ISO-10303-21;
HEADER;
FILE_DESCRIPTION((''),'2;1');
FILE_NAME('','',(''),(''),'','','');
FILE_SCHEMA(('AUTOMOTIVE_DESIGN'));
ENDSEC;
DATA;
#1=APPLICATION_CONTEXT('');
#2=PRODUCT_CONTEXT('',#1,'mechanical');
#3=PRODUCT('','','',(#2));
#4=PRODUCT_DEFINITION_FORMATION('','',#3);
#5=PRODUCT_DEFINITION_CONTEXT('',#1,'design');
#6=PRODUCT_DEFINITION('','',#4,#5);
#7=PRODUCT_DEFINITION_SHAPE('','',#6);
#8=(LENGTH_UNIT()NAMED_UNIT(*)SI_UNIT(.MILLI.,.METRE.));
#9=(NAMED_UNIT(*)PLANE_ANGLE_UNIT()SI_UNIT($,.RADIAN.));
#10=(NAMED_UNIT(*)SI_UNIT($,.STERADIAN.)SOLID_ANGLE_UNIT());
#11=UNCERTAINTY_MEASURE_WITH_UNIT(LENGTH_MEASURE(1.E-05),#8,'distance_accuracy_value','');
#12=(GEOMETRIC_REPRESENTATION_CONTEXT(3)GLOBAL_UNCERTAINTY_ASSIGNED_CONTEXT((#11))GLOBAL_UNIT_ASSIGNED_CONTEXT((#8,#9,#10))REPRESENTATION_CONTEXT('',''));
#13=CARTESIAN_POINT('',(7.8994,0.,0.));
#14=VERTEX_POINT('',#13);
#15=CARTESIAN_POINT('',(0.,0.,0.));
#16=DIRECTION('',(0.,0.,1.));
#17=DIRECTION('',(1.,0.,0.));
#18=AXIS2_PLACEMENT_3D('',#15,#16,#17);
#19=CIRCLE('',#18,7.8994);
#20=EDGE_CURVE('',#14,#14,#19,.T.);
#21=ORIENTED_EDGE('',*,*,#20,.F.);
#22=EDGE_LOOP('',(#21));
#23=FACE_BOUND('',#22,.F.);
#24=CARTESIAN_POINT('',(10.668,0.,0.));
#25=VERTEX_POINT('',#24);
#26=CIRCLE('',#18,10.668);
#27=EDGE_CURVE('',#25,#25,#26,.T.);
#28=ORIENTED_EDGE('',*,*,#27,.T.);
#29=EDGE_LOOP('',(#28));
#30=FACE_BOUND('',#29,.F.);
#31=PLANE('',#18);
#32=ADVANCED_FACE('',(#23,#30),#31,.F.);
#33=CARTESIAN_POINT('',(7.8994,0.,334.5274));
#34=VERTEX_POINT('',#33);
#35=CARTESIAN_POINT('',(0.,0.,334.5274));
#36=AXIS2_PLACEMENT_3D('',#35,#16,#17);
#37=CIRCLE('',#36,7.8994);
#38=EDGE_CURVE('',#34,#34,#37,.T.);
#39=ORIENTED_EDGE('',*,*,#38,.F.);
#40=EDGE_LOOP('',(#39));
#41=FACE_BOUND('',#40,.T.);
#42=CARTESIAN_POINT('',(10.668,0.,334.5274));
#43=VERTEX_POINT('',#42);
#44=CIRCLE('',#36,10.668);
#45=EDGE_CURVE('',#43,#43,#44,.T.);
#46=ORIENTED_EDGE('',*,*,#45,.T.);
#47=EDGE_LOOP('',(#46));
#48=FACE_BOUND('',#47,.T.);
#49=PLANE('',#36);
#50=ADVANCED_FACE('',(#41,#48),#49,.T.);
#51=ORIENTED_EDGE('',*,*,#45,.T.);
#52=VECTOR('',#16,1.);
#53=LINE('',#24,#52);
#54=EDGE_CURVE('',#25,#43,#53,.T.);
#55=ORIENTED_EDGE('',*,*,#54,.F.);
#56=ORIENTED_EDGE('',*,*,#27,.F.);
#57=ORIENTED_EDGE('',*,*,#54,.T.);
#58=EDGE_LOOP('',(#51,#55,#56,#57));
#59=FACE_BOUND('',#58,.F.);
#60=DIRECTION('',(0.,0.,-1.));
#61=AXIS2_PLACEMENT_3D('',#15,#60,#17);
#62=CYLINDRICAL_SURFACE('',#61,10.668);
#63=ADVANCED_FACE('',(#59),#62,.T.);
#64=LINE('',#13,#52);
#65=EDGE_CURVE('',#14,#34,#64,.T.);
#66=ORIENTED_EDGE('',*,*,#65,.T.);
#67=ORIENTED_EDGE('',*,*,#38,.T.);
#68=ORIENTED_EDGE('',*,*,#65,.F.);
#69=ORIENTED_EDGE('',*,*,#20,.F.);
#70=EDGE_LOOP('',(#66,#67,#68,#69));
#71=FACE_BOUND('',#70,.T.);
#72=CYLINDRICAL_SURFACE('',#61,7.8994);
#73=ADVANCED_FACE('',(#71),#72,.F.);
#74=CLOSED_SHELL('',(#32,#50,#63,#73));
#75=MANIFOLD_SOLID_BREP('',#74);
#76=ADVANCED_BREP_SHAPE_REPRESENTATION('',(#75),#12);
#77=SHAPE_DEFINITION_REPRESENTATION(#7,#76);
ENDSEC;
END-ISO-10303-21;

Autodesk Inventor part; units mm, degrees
ref_plane "YZ Plane" through (0, 0, 0) normal (1, 0, 0) x (0, 1, 0)
ref_plane "Start Plane" through (0, 0, 0) normal (0, 0, 1) x (1, 0, 0)
ref_plane "End Plane" through (0, 0, 334.5274) normal (0, 0, 1) x (1, 0, 0)
sketch "Sketch" plane through (0, 0, 0) normal (0, 0, 1) x (1, 0, 0)
  circle A0 centre (0, 0) radius 7.8994
  circle A1 centre (0, 0) radius 10.668
  dimension "d0" = 21.336
  dimension "d1" = 2.7686
extrude "Body" add sketch "Sketch" along normal up to surface (334.5274 mm away) from surface at 0
sketch "Sketch3" plane through (0, 0, 0) normal (0, 0, 1) x (1, 0, 0)
  line L0 (0, 0) -> (10, 0)
ref_plane "Work Plane3" through (0, 0, 0) normal (0, -1, 0) x (1, 0, 0)
sketch "Sketch4" plane through (0, 0, 0) normal (0, -1, 0) x (1, 0, 0)
  line L0 (-2, 0) -> (12, 0) projected
  line L1 (-2, 334.5274) -> (12, 334.5274) projected
  dimension "d7" = 334.5274
equation "\"d0\" = G_H"
equation "\"d1\" = G_T"
equation "\"d2\" = G_L"
equation "\"G_H\" = 21.336"
equation "\"G_T\" = 2.7686"
equation "\"G_L\" = d7"
equation "\"G_OFFSET_START\" = 0"
equation "\"G_OFFSET_END\" = 0"
equation "\"d5\" = G_OFFSET_END + B_L"
equation "\"B_L\" = 334.5274"
properties part number "ANSI - 1/2 x 0.109 - 13.17" material "Steel, Mild"
